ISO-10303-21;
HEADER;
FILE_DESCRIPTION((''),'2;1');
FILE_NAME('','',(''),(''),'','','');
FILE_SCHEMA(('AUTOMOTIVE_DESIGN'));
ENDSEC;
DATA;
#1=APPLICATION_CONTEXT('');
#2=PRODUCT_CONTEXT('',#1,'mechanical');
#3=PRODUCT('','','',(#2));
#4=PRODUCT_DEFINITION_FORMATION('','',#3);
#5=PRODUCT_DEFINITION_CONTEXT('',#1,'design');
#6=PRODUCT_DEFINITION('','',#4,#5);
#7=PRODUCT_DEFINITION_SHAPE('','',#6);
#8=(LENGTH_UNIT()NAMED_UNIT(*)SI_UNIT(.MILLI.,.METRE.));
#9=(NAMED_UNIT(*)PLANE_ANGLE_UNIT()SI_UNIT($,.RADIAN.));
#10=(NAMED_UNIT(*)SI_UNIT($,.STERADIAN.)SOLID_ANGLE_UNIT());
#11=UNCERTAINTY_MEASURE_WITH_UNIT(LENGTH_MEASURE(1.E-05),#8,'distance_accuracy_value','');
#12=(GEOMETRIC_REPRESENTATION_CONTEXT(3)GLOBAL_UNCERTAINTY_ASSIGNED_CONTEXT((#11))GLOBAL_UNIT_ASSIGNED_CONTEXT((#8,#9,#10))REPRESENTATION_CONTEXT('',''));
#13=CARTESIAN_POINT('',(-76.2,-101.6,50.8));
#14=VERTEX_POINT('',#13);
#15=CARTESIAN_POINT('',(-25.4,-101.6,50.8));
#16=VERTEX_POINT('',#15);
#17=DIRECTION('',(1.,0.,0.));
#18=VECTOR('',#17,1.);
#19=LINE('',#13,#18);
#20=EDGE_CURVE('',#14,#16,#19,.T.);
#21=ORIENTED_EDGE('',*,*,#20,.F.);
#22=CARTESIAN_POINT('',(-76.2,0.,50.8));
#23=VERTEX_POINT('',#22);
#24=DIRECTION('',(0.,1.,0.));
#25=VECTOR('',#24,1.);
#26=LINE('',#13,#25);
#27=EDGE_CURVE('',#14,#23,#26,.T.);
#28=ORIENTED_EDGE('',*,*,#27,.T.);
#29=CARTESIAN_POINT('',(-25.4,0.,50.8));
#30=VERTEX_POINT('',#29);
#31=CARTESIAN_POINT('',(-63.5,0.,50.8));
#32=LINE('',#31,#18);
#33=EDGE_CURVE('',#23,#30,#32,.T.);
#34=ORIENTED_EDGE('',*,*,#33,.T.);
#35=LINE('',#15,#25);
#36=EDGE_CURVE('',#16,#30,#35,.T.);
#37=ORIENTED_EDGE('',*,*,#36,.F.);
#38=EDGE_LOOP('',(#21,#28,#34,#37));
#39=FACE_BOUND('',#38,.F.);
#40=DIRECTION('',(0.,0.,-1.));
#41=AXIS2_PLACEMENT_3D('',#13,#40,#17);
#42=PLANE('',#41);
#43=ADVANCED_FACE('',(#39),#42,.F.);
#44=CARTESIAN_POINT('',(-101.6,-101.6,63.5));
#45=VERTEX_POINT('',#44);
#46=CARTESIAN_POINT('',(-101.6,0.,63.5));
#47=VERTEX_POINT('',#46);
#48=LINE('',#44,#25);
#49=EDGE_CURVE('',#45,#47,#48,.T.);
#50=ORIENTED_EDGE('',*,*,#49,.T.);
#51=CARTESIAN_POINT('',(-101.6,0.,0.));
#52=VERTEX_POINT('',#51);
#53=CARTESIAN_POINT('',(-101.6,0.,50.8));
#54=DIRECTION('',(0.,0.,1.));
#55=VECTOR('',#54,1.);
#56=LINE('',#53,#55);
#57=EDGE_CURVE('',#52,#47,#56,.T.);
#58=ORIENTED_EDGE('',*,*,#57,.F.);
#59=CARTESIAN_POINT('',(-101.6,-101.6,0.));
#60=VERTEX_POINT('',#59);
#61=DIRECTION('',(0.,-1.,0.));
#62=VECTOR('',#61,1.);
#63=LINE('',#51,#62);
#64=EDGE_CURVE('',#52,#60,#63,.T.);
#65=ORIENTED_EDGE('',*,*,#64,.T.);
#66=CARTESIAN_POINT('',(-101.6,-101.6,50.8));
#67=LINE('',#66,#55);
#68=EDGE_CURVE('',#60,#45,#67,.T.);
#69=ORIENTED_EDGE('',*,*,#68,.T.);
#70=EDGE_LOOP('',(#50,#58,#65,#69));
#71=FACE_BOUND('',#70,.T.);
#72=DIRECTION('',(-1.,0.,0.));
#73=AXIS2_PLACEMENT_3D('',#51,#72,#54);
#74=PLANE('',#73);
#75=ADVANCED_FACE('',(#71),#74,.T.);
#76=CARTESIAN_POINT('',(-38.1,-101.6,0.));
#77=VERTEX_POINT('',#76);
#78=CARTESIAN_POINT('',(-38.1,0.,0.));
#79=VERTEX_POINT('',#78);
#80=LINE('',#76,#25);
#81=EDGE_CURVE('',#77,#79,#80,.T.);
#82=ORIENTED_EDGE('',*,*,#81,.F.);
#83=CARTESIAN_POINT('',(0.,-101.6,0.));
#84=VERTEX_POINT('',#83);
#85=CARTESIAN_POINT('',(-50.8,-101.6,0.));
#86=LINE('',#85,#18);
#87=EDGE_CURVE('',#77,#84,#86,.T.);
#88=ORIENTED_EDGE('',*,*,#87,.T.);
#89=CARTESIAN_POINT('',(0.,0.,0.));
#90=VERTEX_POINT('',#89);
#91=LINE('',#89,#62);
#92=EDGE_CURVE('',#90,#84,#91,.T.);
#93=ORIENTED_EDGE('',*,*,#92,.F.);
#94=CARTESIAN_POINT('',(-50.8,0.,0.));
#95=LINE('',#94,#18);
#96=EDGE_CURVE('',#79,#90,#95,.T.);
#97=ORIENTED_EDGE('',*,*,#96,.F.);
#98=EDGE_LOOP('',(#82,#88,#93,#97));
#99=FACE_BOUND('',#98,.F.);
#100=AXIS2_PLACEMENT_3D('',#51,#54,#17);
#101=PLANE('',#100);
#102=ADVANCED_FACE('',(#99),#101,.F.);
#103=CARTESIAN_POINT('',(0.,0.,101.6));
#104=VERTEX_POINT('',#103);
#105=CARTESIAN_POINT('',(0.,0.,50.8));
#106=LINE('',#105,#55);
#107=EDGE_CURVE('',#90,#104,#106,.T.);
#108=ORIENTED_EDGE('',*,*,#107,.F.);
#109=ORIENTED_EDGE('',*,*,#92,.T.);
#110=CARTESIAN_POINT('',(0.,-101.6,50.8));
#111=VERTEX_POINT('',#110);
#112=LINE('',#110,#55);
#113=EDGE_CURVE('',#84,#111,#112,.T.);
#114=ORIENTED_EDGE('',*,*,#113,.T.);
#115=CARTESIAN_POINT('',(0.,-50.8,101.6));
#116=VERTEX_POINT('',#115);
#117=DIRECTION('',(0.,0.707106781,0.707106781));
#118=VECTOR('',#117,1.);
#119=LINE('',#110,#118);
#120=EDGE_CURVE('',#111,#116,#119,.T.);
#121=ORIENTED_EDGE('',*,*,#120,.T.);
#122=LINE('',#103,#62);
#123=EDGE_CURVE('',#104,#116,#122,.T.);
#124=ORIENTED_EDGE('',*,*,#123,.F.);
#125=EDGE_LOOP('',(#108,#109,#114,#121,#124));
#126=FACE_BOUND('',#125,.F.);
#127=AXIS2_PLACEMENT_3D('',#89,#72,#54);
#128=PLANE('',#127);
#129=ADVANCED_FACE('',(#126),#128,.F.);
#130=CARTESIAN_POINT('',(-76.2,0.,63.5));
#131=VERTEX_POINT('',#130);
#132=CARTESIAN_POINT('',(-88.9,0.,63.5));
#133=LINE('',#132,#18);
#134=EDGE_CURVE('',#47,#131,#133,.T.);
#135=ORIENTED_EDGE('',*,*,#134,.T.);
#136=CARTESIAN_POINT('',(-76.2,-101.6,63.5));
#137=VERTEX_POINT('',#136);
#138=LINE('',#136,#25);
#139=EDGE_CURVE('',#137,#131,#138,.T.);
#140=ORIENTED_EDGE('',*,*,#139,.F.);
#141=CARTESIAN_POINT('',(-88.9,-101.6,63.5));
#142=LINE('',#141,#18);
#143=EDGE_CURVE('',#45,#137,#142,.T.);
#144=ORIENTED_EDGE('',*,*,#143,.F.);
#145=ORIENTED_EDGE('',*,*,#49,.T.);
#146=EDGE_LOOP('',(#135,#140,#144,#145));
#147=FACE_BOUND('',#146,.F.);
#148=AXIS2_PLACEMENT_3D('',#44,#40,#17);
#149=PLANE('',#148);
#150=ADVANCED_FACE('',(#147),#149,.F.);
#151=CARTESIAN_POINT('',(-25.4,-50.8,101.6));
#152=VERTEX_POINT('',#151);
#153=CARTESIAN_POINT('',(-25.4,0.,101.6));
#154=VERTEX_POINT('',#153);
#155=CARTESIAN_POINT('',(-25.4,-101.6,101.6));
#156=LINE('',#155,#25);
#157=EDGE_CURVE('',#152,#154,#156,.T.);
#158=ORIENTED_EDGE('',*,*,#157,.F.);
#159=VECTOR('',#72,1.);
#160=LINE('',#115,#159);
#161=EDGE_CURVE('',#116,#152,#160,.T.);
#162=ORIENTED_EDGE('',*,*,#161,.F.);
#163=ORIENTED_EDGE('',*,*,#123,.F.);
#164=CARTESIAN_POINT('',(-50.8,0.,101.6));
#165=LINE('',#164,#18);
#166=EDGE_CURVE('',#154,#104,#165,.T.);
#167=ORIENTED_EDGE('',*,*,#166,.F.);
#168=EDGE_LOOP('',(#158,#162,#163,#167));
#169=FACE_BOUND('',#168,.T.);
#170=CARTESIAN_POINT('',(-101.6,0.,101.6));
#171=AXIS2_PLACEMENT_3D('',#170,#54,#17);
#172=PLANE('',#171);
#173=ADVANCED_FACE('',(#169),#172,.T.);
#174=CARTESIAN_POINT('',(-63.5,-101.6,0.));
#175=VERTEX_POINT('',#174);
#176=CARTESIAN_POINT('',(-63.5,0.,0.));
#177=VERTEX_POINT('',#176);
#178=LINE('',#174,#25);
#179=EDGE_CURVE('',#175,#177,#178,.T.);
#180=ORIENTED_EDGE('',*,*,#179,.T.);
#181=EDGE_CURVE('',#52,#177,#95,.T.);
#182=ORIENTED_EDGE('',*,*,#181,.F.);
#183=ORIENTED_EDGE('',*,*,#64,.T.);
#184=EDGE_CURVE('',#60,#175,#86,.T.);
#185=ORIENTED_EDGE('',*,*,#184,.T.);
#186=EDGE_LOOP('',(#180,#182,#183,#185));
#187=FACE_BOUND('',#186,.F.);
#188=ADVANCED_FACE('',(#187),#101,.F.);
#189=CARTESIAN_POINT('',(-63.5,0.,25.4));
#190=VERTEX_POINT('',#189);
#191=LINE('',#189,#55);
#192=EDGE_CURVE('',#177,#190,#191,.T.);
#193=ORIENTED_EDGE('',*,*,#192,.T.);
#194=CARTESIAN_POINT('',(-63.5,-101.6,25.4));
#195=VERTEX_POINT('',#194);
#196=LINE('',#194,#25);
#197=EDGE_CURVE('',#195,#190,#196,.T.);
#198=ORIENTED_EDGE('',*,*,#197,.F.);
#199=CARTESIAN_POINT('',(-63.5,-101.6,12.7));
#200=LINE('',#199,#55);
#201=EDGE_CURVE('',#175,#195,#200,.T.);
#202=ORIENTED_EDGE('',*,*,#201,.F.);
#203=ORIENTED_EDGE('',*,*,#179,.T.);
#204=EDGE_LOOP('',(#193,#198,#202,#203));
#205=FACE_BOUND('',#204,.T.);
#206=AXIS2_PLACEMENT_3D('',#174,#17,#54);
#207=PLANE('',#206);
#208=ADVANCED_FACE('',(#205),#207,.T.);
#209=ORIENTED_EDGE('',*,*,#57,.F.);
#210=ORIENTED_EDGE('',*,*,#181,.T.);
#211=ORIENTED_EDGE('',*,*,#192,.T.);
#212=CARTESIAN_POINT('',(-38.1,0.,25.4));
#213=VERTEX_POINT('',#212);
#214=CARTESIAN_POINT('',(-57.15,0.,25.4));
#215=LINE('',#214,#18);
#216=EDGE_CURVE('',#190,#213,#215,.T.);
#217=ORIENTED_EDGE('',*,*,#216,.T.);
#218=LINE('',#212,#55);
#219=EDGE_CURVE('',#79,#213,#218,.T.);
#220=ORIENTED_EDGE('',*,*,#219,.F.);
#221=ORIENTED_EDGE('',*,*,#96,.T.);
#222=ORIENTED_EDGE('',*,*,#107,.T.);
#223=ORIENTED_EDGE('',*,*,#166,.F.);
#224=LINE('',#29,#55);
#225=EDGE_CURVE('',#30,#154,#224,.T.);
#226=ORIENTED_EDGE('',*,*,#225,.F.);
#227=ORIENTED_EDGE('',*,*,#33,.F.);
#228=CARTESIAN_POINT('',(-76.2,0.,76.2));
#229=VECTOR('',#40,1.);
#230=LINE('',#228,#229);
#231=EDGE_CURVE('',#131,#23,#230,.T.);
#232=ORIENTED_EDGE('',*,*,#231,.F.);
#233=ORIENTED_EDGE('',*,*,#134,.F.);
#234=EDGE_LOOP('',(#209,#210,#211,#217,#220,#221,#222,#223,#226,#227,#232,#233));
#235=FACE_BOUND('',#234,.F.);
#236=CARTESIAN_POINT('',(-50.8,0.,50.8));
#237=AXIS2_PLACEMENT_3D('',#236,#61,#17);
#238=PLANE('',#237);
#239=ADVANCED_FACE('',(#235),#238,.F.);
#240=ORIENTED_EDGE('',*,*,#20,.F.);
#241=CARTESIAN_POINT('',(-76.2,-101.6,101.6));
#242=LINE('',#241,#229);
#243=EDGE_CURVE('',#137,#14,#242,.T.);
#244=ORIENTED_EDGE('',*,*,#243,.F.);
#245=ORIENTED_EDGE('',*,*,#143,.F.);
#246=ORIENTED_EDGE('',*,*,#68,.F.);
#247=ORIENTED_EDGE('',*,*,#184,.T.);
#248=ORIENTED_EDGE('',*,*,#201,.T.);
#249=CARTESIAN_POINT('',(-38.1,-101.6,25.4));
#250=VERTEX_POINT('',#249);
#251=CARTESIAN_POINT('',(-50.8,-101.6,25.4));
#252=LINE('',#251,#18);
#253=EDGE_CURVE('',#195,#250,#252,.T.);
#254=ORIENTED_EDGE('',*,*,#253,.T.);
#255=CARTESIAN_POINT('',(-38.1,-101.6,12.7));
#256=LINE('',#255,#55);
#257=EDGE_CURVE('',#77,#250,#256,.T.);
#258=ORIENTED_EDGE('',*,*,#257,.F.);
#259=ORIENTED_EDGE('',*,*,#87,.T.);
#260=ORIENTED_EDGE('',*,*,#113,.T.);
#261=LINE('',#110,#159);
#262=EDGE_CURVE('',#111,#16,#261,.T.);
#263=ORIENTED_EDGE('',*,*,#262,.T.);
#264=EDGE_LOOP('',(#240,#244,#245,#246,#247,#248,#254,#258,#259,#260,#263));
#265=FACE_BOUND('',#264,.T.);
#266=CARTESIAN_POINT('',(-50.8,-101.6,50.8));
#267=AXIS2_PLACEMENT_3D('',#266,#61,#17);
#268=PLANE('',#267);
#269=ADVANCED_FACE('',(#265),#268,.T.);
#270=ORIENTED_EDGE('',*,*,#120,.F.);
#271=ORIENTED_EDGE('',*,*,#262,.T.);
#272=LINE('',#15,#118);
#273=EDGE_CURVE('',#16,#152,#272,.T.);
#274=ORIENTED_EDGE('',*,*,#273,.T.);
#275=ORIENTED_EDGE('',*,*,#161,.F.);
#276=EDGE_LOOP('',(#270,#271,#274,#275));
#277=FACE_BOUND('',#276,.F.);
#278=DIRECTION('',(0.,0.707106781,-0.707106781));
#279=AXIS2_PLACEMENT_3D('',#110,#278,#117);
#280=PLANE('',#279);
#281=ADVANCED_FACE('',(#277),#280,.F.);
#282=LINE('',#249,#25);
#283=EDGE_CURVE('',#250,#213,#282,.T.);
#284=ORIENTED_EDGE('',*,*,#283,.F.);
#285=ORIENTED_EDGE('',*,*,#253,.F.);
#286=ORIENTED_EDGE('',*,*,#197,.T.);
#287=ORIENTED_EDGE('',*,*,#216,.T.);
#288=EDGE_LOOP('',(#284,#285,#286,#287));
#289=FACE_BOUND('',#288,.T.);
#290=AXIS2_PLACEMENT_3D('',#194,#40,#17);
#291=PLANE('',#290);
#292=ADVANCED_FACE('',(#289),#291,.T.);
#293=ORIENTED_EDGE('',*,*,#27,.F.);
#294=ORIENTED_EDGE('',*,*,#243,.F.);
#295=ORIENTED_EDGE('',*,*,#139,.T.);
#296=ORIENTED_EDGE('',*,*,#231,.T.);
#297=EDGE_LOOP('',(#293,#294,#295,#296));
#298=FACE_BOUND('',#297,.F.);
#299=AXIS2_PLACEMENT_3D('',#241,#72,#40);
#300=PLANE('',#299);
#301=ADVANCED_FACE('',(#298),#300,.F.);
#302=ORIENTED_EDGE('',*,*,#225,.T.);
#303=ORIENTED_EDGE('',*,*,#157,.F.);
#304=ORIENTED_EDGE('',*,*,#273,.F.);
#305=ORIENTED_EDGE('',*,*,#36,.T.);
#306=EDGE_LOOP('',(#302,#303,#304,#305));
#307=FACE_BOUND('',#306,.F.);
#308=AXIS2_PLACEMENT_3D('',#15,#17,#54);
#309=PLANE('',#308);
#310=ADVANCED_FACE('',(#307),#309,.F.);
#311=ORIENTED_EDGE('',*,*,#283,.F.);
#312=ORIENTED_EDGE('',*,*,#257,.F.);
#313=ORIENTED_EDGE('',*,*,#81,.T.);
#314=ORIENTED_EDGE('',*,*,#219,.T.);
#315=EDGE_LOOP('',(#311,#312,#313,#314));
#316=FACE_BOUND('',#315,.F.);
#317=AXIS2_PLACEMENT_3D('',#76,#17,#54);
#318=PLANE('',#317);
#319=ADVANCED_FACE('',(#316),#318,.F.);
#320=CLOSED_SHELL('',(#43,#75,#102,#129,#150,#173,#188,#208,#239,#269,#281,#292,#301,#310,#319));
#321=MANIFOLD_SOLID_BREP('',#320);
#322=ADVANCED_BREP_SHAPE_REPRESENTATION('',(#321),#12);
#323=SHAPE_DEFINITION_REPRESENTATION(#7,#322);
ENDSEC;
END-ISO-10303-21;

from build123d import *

# Parameters (mm, degrees)
F0_W     = 101.6
F0_H     = 101.6
F1_DEPTH = 101.6
F2_W     = 25.4
F2_H     = 25.4
F3_DEPTH = 1955.8
F4_W     = 25.4
F4_H     = 38.1
F5_DEPTH = 101.6
F7_DEPTH = 1955.8
F9_DEPTH = 25.4


with BuildPart() as f1:
    # F0 (on Front) → F1 (new body)
    with BuildSketch(Plane.XZ):
        with Locations((-50.8, 50.8)):
            Rectangle(F0_W, F0_H)
    extrude(amount=F1_DEPTH)

    # F2 (on face) → F3 (cut)
    with BuildSketch(Plane.XZ.offset(101.6)):
        with Locations((-50.8, 12.7)):
            Rectangle(F2_W, F2_H)
    extrude(amount=-F3_DEPTH, mode=Mode.SUBTRACT)

    # F4 (on face) → F5 (cut)
    with BuildSketch(Plane.XZ.offset(101.6)):
        with Locations((-88.9, 82.55)):
            Rectangle(F4_W, F4_H)
    extrude(amount=-F5_DEPTH, mode=Mode.SUBTRACT)

    # F6 (on face) → F7 (cut)
    with BuildSketch(Plane.XZ.offset(101.6)):
        Polygon((-76.2, 101.6), (-76.2, 63.5), (-76.2, 50.8), (-25.4, 50.8), (-25.4, 101.6), align=None)
    extrude(amount=-F7_DEPTH, mode=Mode.SUBTRACT)

    # F8 (on face) → F9 (cut)
    with BuildSketch(Plane.YZ):
        Polygon((-101.6, 101.6), (-101.6, 50.8), (-50.8, 101.6), align=None)
    extrude(amount=-F9_DEPTH, mode=Mode.SUBTRACT)


solid = f1.part
